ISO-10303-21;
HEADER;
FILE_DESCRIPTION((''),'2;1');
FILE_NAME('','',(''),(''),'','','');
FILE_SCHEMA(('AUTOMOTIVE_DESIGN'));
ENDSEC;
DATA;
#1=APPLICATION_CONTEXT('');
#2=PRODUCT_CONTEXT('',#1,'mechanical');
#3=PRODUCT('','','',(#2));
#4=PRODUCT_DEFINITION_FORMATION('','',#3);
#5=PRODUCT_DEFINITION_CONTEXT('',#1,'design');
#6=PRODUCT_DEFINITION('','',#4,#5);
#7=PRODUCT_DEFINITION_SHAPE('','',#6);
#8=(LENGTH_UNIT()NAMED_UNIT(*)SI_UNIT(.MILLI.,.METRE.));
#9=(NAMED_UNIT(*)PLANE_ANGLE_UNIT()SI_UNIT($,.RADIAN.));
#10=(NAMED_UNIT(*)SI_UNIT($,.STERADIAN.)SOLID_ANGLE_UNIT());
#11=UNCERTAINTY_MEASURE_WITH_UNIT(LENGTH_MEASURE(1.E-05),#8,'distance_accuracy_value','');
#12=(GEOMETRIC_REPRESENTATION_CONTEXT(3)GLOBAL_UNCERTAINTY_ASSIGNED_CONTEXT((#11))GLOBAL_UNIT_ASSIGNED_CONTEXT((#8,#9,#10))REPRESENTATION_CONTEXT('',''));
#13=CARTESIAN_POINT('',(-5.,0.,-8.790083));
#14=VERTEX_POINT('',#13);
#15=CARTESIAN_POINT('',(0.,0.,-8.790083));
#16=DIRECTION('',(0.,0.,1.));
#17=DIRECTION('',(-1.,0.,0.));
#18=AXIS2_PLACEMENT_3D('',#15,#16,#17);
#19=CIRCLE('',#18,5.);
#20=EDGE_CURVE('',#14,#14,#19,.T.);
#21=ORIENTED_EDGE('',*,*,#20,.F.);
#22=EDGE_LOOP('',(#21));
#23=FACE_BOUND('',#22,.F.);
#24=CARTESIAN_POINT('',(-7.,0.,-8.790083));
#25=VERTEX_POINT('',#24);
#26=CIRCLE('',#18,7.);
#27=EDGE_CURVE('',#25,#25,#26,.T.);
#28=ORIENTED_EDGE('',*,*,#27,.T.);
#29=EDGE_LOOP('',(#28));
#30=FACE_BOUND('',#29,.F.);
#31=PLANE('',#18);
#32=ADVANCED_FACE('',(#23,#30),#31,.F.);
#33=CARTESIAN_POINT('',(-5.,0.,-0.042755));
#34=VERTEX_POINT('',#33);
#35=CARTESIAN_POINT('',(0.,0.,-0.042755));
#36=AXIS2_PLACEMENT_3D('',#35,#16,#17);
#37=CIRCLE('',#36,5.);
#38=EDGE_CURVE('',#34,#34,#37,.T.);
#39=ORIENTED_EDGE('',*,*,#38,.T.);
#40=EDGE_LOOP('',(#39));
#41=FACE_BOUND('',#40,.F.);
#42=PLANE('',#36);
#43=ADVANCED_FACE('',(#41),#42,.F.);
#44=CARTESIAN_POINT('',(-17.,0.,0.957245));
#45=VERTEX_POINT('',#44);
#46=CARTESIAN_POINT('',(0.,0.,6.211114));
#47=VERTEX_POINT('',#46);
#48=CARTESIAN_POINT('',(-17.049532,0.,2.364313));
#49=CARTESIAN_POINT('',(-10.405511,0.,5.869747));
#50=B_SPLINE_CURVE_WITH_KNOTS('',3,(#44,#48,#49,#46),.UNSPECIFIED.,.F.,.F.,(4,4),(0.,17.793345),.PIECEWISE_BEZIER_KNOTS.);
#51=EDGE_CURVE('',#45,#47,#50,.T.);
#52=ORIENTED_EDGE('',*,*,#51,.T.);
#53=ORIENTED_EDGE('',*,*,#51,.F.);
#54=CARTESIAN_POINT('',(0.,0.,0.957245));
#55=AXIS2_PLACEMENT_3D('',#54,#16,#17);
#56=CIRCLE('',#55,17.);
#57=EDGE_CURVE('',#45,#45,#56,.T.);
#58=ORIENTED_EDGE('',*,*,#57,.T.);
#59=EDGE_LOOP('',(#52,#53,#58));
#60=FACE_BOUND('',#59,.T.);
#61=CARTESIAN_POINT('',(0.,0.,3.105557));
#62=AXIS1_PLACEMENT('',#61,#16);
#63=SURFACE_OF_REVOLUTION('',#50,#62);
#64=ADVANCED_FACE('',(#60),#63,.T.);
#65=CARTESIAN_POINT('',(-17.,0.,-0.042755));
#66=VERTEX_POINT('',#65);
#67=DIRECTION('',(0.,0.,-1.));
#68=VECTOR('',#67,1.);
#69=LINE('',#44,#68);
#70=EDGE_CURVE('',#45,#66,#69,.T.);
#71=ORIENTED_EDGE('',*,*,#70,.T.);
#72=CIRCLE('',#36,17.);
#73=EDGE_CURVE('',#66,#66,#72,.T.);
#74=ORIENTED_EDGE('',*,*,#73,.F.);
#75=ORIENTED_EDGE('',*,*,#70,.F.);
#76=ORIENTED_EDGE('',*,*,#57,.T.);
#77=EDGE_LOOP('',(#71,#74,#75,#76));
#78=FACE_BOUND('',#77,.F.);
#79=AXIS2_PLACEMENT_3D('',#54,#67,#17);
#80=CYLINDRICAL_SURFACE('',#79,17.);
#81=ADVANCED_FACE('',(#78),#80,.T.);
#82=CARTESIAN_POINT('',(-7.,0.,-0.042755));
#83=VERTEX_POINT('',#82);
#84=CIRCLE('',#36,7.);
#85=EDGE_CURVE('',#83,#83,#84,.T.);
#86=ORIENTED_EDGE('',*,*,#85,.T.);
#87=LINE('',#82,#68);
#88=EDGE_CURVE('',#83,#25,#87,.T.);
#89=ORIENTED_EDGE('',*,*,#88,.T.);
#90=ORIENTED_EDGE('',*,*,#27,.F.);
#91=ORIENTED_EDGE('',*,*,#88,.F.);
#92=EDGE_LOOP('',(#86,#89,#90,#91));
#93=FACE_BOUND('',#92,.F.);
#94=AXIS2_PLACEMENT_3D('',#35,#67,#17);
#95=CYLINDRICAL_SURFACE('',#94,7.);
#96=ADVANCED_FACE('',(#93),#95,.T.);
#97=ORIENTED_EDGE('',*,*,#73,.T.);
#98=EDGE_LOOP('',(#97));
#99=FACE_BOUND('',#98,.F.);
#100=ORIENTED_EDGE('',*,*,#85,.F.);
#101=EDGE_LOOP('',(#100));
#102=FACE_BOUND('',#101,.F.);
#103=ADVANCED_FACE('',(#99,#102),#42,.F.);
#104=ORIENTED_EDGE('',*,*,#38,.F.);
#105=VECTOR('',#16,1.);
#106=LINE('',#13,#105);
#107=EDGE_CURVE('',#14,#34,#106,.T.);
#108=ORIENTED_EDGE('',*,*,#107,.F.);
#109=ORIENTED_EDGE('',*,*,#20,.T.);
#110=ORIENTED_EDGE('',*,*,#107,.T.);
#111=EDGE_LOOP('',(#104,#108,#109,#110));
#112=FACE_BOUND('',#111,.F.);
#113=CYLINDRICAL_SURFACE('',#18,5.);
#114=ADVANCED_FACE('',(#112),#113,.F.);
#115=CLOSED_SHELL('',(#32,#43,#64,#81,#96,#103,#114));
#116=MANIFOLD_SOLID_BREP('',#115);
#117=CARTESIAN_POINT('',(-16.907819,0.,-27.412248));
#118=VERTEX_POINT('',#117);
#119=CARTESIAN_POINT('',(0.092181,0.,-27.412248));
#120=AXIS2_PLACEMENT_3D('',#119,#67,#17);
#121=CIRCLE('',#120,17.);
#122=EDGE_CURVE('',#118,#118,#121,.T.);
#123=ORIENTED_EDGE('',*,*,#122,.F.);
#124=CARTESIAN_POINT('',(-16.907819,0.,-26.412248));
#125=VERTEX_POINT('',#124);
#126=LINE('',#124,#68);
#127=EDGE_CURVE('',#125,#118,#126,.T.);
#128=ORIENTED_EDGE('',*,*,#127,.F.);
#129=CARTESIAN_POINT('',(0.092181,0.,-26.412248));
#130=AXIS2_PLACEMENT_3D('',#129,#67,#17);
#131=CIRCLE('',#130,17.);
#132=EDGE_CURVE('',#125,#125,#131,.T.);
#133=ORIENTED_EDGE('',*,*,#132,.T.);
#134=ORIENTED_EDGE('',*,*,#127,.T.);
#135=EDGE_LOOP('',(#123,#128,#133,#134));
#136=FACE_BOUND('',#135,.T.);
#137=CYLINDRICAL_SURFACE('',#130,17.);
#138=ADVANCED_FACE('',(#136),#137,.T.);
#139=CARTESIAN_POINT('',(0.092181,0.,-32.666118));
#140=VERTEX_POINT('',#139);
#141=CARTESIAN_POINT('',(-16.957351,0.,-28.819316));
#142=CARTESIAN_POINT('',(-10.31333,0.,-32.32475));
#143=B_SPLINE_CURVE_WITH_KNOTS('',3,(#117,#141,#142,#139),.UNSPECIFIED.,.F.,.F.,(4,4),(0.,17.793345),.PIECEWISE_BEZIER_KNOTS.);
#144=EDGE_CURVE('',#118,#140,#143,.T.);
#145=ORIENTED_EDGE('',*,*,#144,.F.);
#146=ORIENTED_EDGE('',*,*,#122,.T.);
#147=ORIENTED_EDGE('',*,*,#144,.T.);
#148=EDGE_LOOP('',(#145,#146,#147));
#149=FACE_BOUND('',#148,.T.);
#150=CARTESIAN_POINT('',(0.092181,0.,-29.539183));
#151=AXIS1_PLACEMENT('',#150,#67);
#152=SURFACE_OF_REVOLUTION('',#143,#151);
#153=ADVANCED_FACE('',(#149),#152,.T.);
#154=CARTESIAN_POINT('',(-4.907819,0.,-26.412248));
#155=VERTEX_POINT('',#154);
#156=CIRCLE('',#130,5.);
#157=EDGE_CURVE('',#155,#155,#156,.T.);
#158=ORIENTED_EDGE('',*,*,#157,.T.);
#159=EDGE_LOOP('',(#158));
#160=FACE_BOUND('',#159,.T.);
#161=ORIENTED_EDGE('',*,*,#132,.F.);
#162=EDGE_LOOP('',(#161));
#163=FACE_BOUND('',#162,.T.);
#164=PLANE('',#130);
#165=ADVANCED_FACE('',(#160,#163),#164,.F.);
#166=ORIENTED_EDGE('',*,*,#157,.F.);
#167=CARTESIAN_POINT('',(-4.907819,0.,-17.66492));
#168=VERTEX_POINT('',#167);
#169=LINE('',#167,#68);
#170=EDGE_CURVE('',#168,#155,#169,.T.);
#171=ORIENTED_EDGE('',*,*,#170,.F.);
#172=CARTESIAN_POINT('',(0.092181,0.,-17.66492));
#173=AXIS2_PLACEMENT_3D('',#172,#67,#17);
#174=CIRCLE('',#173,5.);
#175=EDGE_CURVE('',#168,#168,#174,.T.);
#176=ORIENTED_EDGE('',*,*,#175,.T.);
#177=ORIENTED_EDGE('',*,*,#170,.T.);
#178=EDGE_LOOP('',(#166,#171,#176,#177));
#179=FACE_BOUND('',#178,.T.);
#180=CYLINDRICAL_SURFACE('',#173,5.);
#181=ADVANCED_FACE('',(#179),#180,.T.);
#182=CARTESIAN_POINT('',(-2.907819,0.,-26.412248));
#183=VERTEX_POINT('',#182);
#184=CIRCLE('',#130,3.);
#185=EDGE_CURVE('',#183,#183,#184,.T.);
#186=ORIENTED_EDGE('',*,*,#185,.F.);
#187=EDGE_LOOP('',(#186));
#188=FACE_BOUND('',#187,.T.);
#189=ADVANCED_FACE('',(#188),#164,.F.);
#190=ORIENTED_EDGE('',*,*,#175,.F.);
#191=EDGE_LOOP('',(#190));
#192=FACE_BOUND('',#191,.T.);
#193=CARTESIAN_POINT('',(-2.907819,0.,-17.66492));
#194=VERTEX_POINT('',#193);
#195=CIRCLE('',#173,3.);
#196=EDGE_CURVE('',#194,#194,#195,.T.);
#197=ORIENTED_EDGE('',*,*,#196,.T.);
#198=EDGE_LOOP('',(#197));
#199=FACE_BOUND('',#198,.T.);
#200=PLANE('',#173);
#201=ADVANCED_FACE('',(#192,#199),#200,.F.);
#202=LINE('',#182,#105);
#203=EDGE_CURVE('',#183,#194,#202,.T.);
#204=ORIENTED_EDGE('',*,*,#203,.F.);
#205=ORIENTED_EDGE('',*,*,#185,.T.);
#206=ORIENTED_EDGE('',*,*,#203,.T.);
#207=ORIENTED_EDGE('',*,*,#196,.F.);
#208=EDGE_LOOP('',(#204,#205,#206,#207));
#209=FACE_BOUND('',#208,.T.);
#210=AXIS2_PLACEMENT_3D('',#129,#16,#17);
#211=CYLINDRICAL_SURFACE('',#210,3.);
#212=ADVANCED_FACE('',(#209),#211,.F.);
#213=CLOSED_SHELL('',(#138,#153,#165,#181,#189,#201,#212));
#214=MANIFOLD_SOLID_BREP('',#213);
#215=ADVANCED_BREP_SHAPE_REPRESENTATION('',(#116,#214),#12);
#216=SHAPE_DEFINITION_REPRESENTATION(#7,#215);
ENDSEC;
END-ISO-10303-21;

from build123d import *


with BuildPart() as f1:
    # F0 (on Front) → F1 (revolve)
    with BuildSketch(Plane.XZ):
        with BuildLine():
            Line((0, -0.042755), (0, 0))
            Line((0, 0), (0, 6.211114))
            add(Edge.make_bspline(
                [(-17, 0.957245), (-17.049532, 2.364313), (-10.405511, 5.869747), (0, 6.211114)],
                knots=[0, 0, 0, 0, 17.793345, 17.793345, 17.793345, 17.793345], degree=3))
            Line((-17, 0.957245), (-17, -0.042755))
            Line((-17, -0.042755), (-7, -0.042755))
            Line((-7, -0.042755), (-7, -8.790083))
            Line((-7, -8.790083), (-5, -8.790083))
            Line((-5, -8.790083), (-5, -0.042755))
            Line((-5, -0.042755), (0, -0.042755))
        make_face()
    revolve(axis=Axis((0, 0, 3.105557), (0, 0, 1)))


with BuildPart() as f3:
    # F2 (on Front) → F3 (revolve)
    with BuildSketch(Plane.XZ):
        with BuildLine():
            Line((-2.907819, -17.66492), (-4.907819, -17.66492))
            Line((-4.907819, -17.66492), (-4.907819, -26.412248))
            Line((-4.907819, -26.412248), (-16.907819, -26.412248))
            Line((-16.907819, -26.412248), (-16.907819, -27.412248))
            add(Edge.make_bspline(
                [(-16.907819, -27.412248), (-16.957351, -28.819316), (-10.31333, -32.32475), (0.092181, -32.666118)],
                knots=[0, 0, 0, 0, 17.793345, 17.793345, 17.793345, 17.793345], degree=3))
            Line((0.092181, -32.666118), (0.092181, -26.412248))
            Line((0.092181, -26.412248), (-2.907819, -26.412248))
            Line((-2.907819, -26.412248), (-2.907819, -17.66492))
        make_face()
    revolve(axis=Axis((0.092181, 0, -29.539183), (0, 0, -1)))


solid = Compound([f1.part, f3.part])
